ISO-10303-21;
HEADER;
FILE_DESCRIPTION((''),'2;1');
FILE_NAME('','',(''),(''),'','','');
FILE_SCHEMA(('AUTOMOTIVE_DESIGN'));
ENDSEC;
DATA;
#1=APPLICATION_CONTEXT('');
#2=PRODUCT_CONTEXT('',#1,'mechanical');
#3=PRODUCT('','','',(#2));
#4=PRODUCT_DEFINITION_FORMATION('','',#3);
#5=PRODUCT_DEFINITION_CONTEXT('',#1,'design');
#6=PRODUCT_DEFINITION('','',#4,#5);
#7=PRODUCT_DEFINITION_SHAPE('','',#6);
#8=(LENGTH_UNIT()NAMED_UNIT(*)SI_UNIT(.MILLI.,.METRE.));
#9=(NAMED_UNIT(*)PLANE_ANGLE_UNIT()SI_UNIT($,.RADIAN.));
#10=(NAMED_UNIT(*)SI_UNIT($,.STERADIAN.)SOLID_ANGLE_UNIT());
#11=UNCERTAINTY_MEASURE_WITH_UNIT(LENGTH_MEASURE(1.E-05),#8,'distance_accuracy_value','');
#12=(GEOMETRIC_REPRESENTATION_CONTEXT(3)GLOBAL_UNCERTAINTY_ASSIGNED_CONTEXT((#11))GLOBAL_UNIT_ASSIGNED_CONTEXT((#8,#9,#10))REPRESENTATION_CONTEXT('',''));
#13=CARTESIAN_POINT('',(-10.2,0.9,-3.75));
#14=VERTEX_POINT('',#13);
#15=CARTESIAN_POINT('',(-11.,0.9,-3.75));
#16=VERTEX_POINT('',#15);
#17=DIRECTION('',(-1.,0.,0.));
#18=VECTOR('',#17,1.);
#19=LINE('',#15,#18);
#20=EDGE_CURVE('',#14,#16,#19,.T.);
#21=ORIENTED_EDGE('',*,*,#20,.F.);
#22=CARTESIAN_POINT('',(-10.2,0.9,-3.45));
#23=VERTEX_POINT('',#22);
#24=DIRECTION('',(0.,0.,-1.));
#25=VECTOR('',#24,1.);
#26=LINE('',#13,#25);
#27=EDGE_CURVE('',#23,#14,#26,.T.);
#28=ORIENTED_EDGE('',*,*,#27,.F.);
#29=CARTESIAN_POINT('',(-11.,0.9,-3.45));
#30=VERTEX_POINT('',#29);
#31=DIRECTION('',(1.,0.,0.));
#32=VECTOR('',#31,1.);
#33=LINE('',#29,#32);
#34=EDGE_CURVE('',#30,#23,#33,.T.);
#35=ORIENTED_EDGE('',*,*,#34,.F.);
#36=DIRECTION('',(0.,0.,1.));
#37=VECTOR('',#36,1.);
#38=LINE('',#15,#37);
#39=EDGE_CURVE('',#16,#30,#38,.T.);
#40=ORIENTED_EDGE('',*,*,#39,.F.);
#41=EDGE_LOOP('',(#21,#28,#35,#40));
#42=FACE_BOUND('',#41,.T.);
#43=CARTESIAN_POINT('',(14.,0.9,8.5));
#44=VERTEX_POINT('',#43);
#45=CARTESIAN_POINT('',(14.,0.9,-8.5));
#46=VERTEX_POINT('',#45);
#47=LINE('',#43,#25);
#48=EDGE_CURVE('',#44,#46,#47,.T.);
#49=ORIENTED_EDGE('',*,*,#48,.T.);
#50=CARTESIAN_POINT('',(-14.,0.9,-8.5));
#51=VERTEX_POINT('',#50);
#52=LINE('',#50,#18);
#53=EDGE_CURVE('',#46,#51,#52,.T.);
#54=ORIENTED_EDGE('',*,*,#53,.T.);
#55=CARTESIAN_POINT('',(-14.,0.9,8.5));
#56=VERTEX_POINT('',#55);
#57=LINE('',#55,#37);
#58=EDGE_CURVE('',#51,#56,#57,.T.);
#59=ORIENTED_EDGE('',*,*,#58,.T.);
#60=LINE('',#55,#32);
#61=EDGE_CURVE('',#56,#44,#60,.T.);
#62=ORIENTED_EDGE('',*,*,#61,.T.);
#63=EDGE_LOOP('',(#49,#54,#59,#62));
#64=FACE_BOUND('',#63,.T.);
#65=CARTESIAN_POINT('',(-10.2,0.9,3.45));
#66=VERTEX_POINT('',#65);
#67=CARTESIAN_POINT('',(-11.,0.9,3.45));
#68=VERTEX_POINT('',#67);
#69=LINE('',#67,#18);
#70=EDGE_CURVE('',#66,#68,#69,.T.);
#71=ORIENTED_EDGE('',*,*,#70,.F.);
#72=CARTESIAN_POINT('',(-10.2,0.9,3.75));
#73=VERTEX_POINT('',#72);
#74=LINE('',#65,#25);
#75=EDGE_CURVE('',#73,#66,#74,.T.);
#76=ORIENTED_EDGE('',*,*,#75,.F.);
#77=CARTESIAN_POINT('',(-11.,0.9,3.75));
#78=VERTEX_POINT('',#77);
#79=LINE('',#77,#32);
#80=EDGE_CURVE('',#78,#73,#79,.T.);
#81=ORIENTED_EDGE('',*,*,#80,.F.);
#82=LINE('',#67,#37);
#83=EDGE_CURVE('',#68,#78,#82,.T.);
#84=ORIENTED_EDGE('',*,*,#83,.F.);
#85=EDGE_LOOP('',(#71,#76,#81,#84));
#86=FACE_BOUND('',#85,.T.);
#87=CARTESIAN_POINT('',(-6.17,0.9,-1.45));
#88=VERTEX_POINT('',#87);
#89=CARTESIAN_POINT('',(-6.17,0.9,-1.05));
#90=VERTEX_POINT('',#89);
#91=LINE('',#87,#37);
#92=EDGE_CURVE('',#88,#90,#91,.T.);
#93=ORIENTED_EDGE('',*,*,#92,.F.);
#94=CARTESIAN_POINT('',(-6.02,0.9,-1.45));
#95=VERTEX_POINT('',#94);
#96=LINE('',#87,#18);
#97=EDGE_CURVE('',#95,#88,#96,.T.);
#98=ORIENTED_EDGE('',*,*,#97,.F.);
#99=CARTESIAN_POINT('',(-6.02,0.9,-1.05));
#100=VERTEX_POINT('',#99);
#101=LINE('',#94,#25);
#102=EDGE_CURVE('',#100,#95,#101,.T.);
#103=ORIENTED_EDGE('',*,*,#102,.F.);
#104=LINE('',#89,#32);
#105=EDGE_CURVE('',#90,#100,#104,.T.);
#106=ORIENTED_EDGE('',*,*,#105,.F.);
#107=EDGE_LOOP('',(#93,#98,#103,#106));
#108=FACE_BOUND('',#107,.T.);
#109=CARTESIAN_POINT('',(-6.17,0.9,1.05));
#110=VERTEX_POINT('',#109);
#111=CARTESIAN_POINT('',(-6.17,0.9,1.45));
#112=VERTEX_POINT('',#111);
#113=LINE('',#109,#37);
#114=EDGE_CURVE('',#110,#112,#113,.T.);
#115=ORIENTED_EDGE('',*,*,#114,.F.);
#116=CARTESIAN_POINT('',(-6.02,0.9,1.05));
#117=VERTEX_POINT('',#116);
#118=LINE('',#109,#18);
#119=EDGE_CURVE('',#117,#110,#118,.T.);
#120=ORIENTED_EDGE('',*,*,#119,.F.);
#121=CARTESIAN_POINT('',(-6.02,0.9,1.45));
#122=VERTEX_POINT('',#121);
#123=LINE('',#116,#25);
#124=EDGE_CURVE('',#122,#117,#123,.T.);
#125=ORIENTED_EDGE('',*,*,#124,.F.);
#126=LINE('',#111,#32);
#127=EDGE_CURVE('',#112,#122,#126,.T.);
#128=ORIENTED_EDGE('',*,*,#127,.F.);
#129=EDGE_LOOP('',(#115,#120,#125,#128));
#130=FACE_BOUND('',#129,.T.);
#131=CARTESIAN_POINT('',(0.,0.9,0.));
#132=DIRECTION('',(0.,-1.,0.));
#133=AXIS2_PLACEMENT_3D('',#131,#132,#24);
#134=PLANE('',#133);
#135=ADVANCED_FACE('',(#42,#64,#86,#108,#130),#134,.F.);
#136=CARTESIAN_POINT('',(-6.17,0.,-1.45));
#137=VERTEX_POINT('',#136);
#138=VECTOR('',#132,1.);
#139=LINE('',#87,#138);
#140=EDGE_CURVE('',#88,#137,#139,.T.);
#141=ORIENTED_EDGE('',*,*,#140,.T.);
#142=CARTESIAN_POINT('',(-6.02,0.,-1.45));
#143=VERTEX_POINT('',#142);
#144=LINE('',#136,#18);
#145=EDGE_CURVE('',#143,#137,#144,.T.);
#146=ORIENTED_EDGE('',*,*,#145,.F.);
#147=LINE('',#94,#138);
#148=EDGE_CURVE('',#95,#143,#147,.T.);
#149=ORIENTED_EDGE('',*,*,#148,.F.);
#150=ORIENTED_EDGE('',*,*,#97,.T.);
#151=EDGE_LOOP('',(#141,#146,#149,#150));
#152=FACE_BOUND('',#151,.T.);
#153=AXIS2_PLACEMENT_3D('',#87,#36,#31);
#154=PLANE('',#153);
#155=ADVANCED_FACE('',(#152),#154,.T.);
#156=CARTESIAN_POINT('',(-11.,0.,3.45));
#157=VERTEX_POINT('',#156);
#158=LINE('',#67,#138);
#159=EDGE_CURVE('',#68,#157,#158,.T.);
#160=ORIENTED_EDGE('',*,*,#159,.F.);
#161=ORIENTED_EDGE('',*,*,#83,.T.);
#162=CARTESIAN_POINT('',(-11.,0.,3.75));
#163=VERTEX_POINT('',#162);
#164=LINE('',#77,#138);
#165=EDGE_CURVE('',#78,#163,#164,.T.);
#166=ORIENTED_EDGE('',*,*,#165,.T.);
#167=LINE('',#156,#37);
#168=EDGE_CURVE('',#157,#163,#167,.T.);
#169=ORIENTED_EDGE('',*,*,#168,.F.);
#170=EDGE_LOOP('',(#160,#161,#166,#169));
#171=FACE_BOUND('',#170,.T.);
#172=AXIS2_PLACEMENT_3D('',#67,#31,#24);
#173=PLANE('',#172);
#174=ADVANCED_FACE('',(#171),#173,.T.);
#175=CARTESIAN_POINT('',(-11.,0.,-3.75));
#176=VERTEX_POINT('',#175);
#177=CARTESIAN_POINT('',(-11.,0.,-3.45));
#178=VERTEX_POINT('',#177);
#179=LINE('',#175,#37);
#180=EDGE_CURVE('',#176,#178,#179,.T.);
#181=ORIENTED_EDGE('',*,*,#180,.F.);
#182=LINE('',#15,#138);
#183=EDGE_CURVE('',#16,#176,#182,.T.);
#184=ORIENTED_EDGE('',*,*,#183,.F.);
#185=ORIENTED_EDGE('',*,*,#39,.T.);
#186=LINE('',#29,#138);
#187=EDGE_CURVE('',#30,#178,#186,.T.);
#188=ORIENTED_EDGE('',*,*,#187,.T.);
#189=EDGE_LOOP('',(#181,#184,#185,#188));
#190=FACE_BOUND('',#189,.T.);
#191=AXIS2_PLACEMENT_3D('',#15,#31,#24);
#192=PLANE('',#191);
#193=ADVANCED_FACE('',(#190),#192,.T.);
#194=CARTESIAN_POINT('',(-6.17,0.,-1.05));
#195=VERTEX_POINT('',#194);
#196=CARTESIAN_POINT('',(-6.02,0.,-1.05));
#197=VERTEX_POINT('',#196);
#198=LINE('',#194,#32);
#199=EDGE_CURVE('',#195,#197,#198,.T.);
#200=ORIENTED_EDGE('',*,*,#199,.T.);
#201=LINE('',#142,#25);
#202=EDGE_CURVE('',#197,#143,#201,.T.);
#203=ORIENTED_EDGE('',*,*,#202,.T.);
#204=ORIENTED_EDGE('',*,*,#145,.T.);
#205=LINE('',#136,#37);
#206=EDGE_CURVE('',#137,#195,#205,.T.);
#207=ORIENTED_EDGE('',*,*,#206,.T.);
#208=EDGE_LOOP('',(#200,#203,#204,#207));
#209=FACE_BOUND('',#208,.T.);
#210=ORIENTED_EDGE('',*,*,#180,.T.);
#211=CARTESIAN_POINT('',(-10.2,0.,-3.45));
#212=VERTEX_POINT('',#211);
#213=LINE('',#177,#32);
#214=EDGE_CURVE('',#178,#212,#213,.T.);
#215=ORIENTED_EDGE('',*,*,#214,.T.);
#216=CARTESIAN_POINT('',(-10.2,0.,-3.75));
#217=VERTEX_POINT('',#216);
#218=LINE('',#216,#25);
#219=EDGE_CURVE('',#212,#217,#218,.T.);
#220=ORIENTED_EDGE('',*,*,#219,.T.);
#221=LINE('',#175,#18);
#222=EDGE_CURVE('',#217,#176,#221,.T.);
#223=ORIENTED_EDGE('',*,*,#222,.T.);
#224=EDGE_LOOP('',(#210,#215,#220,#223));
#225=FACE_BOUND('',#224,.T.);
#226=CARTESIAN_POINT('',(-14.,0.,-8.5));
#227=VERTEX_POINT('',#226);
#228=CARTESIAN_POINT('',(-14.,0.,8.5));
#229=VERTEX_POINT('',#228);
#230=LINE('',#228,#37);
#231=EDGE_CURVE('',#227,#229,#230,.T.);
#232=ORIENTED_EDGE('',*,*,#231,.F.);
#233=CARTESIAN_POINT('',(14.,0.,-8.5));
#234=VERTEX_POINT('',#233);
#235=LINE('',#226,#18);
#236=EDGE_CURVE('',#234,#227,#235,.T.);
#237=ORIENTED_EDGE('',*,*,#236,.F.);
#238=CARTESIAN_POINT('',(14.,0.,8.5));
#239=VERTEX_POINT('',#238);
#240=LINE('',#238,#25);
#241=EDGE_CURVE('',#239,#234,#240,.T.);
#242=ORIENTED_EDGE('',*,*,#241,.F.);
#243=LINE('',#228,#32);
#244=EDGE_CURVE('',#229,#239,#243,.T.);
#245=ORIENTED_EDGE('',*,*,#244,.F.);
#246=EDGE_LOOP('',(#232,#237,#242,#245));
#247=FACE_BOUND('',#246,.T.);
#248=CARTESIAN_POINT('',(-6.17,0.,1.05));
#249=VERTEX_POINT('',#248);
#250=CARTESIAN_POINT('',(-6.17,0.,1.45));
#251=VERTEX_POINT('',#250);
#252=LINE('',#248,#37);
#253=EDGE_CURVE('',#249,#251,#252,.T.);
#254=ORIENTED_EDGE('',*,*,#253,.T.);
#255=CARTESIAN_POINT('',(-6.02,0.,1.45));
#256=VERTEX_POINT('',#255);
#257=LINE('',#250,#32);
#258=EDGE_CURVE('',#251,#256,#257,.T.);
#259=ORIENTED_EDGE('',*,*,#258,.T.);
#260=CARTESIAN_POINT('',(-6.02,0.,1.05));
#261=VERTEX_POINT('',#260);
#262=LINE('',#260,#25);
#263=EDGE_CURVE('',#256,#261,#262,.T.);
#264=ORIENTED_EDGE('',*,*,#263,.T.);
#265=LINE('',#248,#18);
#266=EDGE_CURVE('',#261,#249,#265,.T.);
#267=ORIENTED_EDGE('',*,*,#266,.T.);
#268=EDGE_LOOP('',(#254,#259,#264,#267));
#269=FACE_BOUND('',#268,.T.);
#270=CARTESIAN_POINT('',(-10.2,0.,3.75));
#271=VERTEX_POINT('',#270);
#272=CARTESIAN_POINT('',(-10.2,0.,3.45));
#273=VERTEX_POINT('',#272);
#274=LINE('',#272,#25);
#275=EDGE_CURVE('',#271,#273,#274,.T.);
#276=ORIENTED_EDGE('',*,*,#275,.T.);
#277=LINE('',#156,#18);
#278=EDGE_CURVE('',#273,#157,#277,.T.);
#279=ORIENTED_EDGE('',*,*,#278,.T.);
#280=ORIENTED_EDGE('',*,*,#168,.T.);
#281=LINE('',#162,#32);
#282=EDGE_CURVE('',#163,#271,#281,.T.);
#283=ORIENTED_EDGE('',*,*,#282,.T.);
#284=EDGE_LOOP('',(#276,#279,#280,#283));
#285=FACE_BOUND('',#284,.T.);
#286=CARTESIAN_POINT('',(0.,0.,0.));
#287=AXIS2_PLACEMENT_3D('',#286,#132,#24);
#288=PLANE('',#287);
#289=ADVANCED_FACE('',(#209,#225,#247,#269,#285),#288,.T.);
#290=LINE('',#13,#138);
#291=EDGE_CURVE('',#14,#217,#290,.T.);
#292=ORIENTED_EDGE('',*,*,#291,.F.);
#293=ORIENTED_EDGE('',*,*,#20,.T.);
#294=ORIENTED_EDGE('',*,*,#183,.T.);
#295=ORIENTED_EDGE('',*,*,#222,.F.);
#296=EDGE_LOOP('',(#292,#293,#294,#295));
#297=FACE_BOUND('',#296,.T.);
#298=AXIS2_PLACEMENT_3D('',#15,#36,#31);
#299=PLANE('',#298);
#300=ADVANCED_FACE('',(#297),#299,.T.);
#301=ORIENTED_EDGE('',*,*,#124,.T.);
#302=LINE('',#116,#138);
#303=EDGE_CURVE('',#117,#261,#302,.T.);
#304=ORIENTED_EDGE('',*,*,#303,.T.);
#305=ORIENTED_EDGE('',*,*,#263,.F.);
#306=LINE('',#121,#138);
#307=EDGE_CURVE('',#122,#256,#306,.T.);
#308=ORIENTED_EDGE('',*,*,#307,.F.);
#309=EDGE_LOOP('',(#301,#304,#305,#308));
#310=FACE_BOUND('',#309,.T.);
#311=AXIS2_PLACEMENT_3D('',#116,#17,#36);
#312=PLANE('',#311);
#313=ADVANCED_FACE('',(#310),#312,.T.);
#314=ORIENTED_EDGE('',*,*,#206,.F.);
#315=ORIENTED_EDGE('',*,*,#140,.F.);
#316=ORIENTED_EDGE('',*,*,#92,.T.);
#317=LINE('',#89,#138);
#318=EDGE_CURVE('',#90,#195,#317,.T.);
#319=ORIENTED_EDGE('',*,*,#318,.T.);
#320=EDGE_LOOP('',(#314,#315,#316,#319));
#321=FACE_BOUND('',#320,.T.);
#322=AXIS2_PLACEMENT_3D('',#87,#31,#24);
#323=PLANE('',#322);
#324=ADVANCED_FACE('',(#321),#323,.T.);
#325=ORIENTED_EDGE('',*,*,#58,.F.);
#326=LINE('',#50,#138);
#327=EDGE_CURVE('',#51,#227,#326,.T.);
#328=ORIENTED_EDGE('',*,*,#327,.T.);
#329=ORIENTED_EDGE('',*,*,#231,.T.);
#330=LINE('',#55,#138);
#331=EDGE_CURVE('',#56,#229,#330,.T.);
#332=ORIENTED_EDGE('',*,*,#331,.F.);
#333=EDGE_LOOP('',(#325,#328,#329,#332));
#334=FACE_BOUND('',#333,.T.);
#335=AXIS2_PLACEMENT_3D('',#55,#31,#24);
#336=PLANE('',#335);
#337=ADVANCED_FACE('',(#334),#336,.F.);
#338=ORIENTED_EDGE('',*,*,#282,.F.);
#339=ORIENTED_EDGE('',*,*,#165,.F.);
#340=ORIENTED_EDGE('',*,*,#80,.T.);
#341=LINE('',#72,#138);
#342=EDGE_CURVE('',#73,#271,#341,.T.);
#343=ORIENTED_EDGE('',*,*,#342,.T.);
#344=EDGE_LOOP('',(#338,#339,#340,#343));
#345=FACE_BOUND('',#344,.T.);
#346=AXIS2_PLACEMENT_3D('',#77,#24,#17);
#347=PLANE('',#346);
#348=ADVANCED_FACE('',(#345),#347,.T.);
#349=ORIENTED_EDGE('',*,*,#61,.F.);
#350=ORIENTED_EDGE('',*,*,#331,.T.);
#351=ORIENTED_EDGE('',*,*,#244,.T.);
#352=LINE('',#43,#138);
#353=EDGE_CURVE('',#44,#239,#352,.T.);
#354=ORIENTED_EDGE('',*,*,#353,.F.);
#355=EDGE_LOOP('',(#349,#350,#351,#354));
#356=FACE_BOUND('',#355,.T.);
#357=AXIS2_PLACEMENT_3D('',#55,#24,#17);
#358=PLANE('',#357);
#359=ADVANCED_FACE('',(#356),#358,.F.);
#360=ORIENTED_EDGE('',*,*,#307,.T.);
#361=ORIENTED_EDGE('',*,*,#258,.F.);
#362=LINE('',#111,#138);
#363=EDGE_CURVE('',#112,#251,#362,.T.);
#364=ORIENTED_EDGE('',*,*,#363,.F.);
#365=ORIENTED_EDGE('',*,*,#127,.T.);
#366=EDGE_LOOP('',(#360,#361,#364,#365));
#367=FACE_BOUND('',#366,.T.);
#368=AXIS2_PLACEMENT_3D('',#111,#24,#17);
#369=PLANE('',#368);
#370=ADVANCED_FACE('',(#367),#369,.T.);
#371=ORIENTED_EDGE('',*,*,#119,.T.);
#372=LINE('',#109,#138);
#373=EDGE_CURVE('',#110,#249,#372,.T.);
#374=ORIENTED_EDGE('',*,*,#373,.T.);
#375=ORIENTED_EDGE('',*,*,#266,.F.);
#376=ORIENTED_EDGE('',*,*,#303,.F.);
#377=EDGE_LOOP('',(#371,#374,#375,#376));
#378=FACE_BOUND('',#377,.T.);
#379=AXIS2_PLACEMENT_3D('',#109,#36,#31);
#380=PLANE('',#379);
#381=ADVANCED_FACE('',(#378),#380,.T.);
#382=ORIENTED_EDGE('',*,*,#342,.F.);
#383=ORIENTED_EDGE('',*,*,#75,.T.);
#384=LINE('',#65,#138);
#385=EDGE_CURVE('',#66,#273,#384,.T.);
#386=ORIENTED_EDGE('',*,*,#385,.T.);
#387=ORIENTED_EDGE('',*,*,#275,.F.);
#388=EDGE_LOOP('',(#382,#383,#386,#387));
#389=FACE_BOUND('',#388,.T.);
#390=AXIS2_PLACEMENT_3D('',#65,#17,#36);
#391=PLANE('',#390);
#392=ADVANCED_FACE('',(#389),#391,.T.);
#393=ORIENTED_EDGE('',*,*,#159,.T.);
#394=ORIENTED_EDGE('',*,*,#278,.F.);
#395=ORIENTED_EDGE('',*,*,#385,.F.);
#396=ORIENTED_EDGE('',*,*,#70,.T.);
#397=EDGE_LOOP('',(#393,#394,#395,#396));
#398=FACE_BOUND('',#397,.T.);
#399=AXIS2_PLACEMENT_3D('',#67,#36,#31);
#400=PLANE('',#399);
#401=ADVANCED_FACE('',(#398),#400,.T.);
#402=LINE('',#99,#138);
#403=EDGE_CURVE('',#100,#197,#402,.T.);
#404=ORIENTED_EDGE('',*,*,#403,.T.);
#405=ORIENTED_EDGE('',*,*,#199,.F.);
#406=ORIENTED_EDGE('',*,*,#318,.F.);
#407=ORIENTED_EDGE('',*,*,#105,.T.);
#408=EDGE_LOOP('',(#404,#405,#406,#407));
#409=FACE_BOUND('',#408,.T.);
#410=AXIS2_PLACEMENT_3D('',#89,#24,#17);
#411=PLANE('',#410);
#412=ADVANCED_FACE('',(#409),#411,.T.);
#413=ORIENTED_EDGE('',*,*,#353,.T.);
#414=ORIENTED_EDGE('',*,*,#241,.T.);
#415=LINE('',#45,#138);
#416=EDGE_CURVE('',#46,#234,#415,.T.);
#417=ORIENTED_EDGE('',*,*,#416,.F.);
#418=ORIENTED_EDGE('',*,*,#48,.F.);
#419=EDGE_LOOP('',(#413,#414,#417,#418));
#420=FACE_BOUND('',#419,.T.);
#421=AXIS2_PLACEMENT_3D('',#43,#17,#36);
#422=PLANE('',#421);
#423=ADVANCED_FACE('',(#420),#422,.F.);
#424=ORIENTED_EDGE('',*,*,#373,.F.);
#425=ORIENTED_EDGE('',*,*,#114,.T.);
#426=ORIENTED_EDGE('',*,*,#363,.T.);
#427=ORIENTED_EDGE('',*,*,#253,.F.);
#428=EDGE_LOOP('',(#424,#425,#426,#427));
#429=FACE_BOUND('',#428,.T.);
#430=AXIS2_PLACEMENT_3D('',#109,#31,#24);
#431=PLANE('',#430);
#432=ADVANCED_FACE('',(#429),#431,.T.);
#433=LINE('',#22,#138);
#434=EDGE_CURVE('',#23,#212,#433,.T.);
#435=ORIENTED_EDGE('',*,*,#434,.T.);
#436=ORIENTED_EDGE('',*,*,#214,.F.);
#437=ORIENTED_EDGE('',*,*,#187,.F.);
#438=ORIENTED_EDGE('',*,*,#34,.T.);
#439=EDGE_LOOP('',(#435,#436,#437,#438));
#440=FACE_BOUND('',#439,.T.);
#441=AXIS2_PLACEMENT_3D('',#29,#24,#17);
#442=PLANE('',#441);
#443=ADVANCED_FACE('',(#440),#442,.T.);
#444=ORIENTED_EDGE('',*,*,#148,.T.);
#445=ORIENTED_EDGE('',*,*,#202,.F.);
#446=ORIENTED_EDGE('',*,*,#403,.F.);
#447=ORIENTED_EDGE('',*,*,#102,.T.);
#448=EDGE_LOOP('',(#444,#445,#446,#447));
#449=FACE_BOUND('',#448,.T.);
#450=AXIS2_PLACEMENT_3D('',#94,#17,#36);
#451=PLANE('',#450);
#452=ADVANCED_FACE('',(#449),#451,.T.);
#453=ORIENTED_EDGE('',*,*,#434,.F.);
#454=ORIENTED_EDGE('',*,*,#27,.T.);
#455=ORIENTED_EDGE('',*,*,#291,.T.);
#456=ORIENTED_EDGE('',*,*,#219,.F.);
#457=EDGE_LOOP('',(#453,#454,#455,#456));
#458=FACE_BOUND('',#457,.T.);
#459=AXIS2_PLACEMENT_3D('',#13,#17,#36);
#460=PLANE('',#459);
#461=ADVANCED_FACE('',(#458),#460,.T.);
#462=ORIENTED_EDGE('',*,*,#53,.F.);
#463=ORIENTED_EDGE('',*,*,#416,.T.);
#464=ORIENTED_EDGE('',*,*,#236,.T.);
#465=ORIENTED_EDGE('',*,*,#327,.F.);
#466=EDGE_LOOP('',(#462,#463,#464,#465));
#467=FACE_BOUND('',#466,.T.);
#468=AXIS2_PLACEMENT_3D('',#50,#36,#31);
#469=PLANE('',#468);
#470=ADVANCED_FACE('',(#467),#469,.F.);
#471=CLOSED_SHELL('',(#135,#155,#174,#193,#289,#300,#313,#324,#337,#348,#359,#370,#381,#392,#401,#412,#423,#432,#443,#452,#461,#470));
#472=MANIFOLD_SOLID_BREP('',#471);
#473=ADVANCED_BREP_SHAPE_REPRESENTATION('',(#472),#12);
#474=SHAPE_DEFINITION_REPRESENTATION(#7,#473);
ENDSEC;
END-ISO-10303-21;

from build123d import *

# Parameters (mm, degrees)
SKETCH1_W           = 28
SKETCH1_H           = 17
SKETCH1_W_2         = 0.8
SKETCH1_H_2         = 0.3
SKETCH1_W_3         = 0.15
SKETCH1_H_3         = 0.4
BOSS_EXTRUDE1_DEPTH = 0.9


with BuildPart() as part:
    # Sketch1 → Boss-Extrude1 (new body)
    with BuildSketch(Plane(origin=(0, 0, 0), x_dir=(1, 0, 0), z_dir=(0, 1, 0))):
        Rectangle(SKETCH1_W, SKETCH1_H)
        with Locations((-10.6, -3.6)):
            Rectangle(SKETCH1_W_2, SKETCH1_H_2, mode=Mode.SUBTRACT)
        with Locations((-10.6, 3.6)):
            Rectangle(SKETCH1_W_2, SKETCH1_H_2, mode=Mode.SUBTRACT)
        with Locations((-6.095, -1.25)):
            Rectangle(SKETCH1_W_3, SKETCH1_H_3, mode=Mode.SUBTRACT)
        with Locations((-6.095, 1.25)):
            Rectangle(SKETCH1_W_3, SKETCH1_H_3, mode=Mode.SUBTRACT)
    extrude(amount=BOSS_EXTRUDE1_DEPTH)


solid = part.part
